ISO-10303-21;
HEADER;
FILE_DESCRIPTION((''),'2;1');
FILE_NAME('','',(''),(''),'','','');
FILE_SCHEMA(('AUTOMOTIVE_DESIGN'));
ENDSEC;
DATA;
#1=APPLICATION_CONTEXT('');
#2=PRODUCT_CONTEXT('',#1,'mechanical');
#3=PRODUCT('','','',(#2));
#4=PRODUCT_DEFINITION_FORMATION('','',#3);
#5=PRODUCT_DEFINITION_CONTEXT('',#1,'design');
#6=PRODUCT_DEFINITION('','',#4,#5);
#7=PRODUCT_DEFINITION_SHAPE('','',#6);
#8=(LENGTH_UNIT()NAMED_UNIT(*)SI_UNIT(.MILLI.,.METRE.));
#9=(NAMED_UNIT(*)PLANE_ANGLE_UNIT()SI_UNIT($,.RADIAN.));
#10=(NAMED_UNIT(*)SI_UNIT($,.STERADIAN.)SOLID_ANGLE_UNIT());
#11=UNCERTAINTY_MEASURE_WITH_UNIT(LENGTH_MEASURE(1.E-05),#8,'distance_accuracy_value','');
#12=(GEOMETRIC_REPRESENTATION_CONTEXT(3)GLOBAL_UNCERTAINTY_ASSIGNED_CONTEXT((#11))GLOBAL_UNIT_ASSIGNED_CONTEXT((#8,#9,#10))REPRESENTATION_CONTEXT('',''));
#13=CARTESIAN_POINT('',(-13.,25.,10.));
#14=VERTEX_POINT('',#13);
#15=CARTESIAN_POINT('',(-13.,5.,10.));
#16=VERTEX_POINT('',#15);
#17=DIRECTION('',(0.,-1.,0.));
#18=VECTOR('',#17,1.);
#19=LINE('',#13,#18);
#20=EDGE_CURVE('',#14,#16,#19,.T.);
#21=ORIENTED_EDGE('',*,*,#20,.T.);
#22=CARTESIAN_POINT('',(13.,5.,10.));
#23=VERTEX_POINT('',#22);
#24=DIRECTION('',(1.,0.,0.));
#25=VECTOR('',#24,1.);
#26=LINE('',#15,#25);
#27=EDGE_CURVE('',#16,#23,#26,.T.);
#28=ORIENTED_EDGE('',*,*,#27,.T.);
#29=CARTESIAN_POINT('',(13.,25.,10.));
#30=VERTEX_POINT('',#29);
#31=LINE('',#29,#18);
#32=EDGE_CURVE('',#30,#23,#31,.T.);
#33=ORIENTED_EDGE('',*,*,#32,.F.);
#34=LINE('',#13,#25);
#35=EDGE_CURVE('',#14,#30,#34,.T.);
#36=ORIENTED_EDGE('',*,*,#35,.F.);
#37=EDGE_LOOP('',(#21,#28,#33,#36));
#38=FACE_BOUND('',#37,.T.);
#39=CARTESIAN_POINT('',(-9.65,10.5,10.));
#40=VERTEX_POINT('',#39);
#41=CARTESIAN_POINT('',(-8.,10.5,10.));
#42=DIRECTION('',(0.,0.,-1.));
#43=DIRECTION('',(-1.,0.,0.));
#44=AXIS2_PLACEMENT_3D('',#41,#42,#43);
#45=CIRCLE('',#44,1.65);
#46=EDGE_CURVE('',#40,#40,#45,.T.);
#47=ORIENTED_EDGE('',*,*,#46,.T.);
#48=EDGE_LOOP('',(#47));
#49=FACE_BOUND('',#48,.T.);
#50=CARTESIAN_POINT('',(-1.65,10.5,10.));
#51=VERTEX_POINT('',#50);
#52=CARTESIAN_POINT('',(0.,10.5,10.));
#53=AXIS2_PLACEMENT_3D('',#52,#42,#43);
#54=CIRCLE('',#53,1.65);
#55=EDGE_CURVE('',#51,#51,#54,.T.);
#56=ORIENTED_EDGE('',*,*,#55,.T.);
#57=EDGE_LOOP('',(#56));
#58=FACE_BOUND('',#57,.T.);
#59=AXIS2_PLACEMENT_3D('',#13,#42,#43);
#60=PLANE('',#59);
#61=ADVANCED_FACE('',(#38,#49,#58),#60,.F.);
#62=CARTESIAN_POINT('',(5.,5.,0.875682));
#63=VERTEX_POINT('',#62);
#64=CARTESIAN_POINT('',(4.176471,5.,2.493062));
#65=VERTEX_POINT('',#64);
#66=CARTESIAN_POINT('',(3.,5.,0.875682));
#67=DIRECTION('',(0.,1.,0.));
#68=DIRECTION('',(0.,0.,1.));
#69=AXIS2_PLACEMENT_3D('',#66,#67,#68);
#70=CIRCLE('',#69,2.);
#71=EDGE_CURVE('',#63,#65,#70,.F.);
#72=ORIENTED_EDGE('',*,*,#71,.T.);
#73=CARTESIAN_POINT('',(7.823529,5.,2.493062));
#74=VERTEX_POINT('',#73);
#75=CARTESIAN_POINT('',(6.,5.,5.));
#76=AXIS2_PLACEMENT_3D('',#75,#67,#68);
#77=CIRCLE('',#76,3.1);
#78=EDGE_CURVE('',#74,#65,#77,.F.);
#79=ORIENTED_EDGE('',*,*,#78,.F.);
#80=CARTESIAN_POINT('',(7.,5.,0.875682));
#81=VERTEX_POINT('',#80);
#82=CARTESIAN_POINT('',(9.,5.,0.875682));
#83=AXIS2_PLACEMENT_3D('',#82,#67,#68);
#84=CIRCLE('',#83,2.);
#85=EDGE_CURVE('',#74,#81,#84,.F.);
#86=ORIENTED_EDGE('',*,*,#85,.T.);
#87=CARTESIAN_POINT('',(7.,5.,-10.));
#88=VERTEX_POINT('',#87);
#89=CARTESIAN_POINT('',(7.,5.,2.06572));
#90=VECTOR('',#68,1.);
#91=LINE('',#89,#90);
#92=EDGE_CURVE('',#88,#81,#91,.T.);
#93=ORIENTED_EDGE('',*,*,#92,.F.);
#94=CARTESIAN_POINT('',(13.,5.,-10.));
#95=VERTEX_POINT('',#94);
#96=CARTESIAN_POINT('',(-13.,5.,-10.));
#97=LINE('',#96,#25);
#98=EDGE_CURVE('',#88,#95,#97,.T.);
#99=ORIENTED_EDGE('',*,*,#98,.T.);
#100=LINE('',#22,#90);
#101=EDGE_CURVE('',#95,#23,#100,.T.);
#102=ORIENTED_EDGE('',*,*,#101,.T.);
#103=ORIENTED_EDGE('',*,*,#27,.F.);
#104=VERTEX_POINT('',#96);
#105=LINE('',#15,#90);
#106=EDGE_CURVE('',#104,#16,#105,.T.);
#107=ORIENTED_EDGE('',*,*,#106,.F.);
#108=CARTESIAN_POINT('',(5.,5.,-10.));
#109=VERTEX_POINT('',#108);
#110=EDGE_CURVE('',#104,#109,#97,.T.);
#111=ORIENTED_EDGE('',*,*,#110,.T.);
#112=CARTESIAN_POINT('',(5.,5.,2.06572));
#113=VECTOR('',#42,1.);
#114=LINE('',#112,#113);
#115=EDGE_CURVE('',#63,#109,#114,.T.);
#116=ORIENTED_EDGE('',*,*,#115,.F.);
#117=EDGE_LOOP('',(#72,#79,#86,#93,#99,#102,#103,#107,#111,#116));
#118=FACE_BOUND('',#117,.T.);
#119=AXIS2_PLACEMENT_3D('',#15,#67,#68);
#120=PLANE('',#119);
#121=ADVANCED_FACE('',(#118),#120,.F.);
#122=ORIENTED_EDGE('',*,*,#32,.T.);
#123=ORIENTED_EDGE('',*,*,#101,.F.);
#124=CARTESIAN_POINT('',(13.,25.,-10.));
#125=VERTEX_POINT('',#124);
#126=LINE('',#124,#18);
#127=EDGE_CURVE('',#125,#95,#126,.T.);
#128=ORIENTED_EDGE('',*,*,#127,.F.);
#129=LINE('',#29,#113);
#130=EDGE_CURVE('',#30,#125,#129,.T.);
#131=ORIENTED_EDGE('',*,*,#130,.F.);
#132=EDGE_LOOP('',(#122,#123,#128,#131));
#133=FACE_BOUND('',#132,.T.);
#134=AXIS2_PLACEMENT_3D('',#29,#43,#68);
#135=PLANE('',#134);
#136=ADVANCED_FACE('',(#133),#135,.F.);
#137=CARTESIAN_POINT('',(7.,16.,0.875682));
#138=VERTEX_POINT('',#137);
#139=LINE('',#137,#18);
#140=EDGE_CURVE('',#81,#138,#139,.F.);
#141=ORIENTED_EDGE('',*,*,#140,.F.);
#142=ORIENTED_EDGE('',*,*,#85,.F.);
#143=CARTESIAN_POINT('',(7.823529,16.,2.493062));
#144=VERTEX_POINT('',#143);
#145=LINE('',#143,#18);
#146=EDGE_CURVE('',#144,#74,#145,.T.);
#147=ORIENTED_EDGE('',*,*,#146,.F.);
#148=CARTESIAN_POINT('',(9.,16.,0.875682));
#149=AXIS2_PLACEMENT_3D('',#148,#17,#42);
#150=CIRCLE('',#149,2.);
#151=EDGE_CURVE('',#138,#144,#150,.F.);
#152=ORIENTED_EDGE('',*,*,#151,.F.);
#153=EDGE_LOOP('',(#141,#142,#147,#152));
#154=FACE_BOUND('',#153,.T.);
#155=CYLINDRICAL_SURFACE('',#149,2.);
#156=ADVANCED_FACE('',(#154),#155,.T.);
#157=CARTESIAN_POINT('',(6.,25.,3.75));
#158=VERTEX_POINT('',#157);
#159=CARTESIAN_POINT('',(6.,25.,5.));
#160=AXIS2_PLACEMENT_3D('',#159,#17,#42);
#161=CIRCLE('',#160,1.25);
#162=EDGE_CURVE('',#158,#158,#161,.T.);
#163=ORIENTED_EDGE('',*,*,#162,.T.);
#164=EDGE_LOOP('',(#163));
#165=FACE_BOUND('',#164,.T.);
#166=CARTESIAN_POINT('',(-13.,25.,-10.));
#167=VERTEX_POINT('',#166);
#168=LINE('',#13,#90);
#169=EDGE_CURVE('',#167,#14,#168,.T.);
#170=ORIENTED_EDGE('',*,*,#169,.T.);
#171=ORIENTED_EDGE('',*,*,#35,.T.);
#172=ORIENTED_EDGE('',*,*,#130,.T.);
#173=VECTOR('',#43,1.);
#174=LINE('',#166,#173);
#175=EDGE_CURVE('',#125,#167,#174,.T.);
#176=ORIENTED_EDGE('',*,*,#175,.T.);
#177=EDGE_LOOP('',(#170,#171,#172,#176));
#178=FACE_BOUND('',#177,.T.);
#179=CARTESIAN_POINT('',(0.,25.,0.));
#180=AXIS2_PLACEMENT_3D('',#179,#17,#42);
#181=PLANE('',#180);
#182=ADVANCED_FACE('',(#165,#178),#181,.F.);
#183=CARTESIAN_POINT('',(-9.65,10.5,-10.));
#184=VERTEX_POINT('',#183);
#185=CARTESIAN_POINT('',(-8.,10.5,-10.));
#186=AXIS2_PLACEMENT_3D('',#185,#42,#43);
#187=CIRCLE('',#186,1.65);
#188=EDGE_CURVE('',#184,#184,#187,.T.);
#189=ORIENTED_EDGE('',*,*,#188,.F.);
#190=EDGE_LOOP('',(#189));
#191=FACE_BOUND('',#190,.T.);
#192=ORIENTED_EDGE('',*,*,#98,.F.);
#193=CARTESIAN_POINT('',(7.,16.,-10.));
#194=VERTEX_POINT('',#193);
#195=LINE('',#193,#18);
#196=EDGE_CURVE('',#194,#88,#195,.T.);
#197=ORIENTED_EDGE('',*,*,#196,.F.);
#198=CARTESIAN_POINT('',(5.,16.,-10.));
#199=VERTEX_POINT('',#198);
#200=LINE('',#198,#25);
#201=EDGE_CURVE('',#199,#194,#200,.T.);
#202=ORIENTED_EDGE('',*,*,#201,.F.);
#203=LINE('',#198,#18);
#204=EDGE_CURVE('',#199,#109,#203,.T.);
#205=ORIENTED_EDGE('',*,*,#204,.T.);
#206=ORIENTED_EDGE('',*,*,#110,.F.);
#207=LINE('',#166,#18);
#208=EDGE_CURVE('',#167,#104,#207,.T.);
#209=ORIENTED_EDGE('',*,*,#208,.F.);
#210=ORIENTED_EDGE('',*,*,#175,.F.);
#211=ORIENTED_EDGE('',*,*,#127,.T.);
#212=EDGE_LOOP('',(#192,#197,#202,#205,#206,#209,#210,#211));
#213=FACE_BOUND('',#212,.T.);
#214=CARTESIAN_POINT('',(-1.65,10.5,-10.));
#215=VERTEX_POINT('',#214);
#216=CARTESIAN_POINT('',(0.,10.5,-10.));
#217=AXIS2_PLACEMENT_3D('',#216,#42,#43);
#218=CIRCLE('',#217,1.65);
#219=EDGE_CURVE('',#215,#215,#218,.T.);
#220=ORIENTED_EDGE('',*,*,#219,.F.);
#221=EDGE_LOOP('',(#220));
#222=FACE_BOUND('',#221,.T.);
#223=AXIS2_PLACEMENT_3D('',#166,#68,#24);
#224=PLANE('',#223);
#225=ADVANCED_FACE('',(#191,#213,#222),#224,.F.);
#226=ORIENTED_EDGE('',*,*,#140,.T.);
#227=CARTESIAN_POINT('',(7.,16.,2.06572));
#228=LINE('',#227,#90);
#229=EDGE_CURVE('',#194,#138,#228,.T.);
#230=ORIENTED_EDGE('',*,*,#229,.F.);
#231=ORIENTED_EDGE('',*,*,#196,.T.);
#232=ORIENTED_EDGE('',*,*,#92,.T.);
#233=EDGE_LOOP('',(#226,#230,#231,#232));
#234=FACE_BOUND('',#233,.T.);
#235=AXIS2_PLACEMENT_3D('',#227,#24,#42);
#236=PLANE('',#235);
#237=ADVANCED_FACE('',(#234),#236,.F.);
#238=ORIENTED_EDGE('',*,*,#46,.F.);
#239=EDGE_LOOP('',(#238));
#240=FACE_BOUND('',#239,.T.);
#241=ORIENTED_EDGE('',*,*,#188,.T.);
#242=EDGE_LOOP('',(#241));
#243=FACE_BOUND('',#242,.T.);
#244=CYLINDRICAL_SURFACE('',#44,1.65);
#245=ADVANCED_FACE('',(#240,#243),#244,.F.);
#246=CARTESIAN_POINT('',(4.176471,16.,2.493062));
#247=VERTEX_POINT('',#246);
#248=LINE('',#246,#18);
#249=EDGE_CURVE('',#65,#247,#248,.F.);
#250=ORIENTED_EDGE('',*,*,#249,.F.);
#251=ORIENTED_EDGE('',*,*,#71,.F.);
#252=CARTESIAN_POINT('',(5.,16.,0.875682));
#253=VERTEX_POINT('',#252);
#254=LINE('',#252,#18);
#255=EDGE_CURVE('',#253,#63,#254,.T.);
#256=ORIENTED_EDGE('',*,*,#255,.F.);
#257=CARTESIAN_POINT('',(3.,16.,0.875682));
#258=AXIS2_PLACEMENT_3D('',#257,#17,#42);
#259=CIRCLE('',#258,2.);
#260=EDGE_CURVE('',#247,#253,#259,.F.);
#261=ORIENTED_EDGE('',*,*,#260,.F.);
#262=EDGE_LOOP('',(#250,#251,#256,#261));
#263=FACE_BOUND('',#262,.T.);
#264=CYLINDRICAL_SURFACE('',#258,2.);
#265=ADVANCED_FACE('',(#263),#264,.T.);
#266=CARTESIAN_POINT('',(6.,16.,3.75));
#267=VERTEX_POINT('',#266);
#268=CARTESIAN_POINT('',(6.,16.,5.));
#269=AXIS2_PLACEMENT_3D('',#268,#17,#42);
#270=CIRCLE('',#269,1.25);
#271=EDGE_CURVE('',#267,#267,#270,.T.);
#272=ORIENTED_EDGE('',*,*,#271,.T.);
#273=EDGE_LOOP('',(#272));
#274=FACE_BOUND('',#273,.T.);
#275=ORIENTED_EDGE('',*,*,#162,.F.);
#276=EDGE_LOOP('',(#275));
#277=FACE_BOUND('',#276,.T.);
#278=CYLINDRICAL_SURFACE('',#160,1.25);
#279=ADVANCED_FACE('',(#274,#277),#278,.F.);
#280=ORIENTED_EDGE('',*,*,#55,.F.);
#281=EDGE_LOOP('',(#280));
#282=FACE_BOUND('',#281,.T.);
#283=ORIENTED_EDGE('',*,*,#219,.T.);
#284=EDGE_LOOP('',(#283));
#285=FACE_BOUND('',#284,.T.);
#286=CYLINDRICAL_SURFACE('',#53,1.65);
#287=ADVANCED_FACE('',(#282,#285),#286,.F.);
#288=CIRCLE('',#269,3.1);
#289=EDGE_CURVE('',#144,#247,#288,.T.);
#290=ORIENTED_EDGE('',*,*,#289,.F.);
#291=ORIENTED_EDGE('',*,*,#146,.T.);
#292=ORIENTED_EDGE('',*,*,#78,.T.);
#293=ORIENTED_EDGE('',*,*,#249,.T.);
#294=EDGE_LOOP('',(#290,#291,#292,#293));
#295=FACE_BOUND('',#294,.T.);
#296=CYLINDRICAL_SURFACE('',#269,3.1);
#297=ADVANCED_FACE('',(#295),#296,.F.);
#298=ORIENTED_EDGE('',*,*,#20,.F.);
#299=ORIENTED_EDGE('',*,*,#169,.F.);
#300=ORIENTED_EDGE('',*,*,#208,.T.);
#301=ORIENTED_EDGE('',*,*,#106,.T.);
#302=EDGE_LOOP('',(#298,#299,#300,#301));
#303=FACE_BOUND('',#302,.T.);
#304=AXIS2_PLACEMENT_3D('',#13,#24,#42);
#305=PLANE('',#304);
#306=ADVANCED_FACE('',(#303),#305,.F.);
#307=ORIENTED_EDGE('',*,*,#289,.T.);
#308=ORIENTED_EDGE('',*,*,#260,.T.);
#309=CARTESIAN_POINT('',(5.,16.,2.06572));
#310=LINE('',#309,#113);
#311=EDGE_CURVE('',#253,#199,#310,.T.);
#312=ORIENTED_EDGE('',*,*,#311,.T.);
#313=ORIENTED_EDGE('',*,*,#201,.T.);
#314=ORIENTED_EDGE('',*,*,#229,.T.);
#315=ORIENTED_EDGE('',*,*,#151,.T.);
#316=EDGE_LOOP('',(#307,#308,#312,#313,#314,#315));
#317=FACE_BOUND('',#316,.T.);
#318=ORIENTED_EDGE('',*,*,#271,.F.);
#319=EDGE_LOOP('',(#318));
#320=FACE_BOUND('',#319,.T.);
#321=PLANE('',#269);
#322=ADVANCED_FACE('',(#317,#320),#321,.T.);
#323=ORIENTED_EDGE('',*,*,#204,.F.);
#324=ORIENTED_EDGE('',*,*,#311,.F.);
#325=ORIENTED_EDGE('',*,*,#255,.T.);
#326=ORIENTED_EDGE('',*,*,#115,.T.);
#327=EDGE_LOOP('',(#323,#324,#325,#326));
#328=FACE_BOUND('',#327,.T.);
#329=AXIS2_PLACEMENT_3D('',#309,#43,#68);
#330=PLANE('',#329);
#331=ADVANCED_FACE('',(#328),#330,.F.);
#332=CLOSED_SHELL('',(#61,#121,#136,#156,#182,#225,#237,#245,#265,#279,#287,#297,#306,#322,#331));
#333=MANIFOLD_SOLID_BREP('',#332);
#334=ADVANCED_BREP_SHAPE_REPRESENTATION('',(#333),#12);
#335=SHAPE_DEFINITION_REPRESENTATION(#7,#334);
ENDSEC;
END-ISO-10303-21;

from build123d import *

# Parameters (mm, degrees)
SKETCH_1_W          = 26
SKETCH_1_H          = 20
EXTRUDE_1_DEPTH     = 25
CUT_EXTRUDE_1_DEPTH = 16
FILLET_1_R          = 2
SKETCH_3_R          = 1.25
CUT_EXTRUDE_2_DEPTH = 23.912878475
SKETCH_4_R          = 1.65
CUT_EXTRUDE_3_DEPTH = 35.554305086
SKETCH_5_W          = 20
SKETCH_5_H          = 5
CUT_EXTRUDE_4_DEPTH = 38.429934544


with BuildPart() as part:
    # 草图1 → 凸台-拉伸1 (new body)
    with BuildSketch(Plane(origin=(0, 0, 0), x_dir=(1, 0, 0), z_dir=(0, 1, 0))):
        Rectangle(SKETCH_1_W, SKETCH_1_H)
    extrude(amount=EXTRUDE_1_DEPTH)

    # 草图2 → 切除-拉伸1 (cut)
    with BuildSketch(Plane.XZ):
        with BuildLine():
            Line((5, 2.06571985), (5, -10))
            Line((5, -10), (7, -10))
            Line((7, -10), (7, 2.06571985))
            ThreePointArc((7, 2.06571985), (6, 8.1), (5, 2.06571985))
        make_face()
    extrude(amount=-CUT_EXTRUDE_1_DEPTH, mode=Mode.SUBTRACT)

    # 圆角1
    fillet_1_edges = [part.edges().sort_by_distance(p)[0] for p in [
        (5, 8, 2.06571985),
        (7, 8, 2.06571985),
    ]]
    fillet(fillet_1_edges, radius=FILLET_1_R)

    # 草图3 → 切除-拉伸2 (cut, through all)
    with BuildSketch(Plane.XZ.offset(-16)):
        with Locations(Location((6, 5, 0), (0, 0, 270))):
            Circle(SKETCH_3_R)
    extrude(amount=-CUT_EXTRUDE_2_DEPTH, mode=Mode.SUBTRACT)

    # 草图4 → 切除-拉伸3 (cut, through all)
    with BuildSketch(Plane(origin=(0, 0, -10), x_dir=(-1, 0, 0), z_dir=(0, 0, -1))):
        with Locations((8, 10.5)):
            Circle(SKETCH_4_R)
        with Locations((0, 10.5)):
            Circle(SKETCH_4_R)
    extrude(amount=-CUT_EXTRUDE_3_DEPTH, mode=Mode.SUBTRACT)

    # 草图5 → 切除-拉伸4 (cut, through all)
    with BuildSketch(Plane(origin=(13, 0, 0), x_dir=(0, 0, -1), z_dir=(1, 0, 0))):
        with Locations((0, 2.5)):
            Rectangle(SKETCH_5_W, SKETCH_5_H)
    extrude(amount=-CUT_EXTRUDE_4_DEPTH, mode=Mode.SUBTRACT)


solid = part.part
